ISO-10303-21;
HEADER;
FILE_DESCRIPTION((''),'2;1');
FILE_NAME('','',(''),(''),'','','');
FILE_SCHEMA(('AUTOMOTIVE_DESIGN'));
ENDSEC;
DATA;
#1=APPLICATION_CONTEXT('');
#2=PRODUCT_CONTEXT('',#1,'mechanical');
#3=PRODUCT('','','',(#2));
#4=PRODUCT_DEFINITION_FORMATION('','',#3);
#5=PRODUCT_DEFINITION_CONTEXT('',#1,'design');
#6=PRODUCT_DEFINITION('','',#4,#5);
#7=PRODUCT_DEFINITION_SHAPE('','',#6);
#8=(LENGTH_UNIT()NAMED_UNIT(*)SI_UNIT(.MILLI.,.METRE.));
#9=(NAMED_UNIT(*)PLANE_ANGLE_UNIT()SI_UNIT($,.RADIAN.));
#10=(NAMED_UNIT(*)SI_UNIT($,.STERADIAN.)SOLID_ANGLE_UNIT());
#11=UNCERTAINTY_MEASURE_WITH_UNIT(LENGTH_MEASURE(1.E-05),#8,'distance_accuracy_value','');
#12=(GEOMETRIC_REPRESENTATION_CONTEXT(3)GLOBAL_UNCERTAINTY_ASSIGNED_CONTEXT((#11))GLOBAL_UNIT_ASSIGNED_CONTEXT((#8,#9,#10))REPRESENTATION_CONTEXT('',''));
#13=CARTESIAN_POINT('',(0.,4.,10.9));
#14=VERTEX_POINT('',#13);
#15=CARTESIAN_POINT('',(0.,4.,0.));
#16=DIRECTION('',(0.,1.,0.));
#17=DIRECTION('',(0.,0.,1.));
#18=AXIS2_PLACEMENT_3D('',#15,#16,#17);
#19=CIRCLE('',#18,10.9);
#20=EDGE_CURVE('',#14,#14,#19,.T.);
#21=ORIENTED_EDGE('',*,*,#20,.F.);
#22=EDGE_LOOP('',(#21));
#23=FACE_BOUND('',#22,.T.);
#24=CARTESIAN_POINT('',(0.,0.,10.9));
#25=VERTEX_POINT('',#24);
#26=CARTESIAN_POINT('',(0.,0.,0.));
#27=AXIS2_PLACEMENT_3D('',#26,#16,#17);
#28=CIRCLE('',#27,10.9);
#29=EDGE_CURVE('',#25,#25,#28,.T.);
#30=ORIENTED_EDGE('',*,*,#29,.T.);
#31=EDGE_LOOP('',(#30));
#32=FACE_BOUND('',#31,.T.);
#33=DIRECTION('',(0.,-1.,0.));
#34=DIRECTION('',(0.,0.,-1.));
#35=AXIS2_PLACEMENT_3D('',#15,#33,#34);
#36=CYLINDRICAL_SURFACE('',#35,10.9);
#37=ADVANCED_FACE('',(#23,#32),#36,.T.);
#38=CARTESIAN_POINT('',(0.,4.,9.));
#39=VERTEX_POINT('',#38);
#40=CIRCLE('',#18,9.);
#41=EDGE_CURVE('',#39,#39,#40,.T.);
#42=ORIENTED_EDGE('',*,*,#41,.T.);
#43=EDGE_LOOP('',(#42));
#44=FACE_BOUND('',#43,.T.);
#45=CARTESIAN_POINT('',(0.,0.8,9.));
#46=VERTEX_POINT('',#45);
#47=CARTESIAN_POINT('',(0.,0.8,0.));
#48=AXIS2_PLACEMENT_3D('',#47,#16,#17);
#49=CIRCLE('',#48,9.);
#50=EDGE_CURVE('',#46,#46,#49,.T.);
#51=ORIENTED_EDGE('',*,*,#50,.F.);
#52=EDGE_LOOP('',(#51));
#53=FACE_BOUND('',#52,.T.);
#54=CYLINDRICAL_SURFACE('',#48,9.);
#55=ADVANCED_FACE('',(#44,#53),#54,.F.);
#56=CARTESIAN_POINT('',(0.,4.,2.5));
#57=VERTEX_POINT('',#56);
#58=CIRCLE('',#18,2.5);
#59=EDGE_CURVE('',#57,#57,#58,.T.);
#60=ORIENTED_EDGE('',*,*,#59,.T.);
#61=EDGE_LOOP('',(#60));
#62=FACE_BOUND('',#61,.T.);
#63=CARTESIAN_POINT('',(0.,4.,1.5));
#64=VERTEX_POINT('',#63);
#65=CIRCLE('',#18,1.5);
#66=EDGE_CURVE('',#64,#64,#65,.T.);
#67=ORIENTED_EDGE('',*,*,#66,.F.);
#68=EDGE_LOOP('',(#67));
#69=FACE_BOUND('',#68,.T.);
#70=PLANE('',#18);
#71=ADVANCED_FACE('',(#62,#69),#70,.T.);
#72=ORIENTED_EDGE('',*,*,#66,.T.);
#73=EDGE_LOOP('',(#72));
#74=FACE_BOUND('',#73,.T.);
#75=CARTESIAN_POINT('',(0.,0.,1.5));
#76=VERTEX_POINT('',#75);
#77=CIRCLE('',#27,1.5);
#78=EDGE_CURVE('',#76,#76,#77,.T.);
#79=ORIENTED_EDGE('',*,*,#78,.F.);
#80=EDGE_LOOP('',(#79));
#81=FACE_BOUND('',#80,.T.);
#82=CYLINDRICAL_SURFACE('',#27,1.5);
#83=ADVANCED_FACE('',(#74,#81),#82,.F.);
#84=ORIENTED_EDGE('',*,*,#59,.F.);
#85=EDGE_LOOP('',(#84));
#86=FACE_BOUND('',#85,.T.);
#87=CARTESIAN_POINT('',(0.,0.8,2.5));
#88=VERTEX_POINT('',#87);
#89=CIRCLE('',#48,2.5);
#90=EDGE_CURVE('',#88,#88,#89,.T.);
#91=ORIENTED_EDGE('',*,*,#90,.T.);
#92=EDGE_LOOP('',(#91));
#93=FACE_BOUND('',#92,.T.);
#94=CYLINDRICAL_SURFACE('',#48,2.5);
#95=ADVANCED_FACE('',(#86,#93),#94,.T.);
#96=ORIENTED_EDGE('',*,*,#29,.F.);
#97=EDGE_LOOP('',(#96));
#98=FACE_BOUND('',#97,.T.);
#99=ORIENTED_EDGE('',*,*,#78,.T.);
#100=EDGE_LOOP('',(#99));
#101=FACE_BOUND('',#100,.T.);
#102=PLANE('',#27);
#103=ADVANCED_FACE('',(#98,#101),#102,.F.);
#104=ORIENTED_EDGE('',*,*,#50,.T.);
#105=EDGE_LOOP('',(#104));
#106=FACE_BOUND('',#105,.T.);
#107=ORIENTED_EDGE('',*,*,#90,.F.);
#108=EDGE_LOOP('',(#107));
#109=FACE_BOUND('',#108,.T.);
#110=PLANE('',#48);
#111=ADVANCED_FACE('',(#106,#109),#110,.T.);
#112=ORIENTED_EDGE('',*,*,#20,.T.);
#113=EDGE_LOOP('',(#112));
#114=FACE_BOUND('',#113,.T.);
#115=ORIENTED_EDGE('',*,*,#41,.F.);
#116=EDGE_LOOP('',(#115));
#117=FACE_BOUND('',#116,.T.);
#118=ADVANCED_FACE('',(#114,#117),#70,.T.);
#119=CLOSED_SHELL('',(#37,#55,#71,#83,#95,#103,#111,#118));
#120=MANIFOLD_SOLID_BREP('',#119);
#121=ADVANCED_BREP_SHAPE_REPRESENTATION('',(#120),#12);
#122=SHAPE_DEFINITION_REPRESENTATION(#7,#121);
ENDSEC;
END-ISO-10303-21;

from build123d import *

# Parameters (mm, degrees)
SKETCH_1_R          = 10.9
EXTRUDE_1_DEPTH     = 4
SKETCH_2_R          = 9
SKETCH_2_R_2        = 2.5
CUT_EXTRUDE_2_DEPTH = 3.2
SKETCH_3_R          = 1.5
CUT_EXTRUDE_3_DEPTH = 16.925451328


with BuildPart() as part:
    # Эскиз1 → Вытянуть1 (new body)
    with BuildSketch(Plane(origin=(0, 0, 0), x_dir=(1, 0, 0), z_dir=(0, 1, 0))):
        with Locations(Location((0, 0, 0), (0, 0, 270))):
            Circle(SKETCH_1_R)
    extrude(amount=EXTRUDE_1_DEPTH)

    # Эскиз2 → Вытянуть2 (cut)
    with BuildSketch(Plane(origin=(0, 4, 0), x_dir=(1, 0, 0), z_dir=(0, 1, 0))):
        with Locations(Location((0, 0, 0), (0, 0, 270))):
            Circle(SKETCH_2_R)
        with Locations(Location((0, 0, 0), (0, 0, 270))):
            Circle(SKETCH_2_R_2, mode=Mode.SUBTRACT)
    extrude(amount=-CUT_EXTRUDE_2_DEPTH, mode=Mode.SUBTRACT)

    # Эскиз3 → Вытянуть3 (cut, through all)
    with BuildSketch(Plane(origin=(0, 4, 0), x_dir=(1, 0, 0), z_dir=(0, 1, 0))):
        with Locations(Location((0, 0, 0), (0, 0, 270))):
            Circle(SKETCH_3_R)
    extrude(amount=-CUT_EXTRUDE_3_DEPTH, mode=Mode.SUBTRACT)


solid = part.part
